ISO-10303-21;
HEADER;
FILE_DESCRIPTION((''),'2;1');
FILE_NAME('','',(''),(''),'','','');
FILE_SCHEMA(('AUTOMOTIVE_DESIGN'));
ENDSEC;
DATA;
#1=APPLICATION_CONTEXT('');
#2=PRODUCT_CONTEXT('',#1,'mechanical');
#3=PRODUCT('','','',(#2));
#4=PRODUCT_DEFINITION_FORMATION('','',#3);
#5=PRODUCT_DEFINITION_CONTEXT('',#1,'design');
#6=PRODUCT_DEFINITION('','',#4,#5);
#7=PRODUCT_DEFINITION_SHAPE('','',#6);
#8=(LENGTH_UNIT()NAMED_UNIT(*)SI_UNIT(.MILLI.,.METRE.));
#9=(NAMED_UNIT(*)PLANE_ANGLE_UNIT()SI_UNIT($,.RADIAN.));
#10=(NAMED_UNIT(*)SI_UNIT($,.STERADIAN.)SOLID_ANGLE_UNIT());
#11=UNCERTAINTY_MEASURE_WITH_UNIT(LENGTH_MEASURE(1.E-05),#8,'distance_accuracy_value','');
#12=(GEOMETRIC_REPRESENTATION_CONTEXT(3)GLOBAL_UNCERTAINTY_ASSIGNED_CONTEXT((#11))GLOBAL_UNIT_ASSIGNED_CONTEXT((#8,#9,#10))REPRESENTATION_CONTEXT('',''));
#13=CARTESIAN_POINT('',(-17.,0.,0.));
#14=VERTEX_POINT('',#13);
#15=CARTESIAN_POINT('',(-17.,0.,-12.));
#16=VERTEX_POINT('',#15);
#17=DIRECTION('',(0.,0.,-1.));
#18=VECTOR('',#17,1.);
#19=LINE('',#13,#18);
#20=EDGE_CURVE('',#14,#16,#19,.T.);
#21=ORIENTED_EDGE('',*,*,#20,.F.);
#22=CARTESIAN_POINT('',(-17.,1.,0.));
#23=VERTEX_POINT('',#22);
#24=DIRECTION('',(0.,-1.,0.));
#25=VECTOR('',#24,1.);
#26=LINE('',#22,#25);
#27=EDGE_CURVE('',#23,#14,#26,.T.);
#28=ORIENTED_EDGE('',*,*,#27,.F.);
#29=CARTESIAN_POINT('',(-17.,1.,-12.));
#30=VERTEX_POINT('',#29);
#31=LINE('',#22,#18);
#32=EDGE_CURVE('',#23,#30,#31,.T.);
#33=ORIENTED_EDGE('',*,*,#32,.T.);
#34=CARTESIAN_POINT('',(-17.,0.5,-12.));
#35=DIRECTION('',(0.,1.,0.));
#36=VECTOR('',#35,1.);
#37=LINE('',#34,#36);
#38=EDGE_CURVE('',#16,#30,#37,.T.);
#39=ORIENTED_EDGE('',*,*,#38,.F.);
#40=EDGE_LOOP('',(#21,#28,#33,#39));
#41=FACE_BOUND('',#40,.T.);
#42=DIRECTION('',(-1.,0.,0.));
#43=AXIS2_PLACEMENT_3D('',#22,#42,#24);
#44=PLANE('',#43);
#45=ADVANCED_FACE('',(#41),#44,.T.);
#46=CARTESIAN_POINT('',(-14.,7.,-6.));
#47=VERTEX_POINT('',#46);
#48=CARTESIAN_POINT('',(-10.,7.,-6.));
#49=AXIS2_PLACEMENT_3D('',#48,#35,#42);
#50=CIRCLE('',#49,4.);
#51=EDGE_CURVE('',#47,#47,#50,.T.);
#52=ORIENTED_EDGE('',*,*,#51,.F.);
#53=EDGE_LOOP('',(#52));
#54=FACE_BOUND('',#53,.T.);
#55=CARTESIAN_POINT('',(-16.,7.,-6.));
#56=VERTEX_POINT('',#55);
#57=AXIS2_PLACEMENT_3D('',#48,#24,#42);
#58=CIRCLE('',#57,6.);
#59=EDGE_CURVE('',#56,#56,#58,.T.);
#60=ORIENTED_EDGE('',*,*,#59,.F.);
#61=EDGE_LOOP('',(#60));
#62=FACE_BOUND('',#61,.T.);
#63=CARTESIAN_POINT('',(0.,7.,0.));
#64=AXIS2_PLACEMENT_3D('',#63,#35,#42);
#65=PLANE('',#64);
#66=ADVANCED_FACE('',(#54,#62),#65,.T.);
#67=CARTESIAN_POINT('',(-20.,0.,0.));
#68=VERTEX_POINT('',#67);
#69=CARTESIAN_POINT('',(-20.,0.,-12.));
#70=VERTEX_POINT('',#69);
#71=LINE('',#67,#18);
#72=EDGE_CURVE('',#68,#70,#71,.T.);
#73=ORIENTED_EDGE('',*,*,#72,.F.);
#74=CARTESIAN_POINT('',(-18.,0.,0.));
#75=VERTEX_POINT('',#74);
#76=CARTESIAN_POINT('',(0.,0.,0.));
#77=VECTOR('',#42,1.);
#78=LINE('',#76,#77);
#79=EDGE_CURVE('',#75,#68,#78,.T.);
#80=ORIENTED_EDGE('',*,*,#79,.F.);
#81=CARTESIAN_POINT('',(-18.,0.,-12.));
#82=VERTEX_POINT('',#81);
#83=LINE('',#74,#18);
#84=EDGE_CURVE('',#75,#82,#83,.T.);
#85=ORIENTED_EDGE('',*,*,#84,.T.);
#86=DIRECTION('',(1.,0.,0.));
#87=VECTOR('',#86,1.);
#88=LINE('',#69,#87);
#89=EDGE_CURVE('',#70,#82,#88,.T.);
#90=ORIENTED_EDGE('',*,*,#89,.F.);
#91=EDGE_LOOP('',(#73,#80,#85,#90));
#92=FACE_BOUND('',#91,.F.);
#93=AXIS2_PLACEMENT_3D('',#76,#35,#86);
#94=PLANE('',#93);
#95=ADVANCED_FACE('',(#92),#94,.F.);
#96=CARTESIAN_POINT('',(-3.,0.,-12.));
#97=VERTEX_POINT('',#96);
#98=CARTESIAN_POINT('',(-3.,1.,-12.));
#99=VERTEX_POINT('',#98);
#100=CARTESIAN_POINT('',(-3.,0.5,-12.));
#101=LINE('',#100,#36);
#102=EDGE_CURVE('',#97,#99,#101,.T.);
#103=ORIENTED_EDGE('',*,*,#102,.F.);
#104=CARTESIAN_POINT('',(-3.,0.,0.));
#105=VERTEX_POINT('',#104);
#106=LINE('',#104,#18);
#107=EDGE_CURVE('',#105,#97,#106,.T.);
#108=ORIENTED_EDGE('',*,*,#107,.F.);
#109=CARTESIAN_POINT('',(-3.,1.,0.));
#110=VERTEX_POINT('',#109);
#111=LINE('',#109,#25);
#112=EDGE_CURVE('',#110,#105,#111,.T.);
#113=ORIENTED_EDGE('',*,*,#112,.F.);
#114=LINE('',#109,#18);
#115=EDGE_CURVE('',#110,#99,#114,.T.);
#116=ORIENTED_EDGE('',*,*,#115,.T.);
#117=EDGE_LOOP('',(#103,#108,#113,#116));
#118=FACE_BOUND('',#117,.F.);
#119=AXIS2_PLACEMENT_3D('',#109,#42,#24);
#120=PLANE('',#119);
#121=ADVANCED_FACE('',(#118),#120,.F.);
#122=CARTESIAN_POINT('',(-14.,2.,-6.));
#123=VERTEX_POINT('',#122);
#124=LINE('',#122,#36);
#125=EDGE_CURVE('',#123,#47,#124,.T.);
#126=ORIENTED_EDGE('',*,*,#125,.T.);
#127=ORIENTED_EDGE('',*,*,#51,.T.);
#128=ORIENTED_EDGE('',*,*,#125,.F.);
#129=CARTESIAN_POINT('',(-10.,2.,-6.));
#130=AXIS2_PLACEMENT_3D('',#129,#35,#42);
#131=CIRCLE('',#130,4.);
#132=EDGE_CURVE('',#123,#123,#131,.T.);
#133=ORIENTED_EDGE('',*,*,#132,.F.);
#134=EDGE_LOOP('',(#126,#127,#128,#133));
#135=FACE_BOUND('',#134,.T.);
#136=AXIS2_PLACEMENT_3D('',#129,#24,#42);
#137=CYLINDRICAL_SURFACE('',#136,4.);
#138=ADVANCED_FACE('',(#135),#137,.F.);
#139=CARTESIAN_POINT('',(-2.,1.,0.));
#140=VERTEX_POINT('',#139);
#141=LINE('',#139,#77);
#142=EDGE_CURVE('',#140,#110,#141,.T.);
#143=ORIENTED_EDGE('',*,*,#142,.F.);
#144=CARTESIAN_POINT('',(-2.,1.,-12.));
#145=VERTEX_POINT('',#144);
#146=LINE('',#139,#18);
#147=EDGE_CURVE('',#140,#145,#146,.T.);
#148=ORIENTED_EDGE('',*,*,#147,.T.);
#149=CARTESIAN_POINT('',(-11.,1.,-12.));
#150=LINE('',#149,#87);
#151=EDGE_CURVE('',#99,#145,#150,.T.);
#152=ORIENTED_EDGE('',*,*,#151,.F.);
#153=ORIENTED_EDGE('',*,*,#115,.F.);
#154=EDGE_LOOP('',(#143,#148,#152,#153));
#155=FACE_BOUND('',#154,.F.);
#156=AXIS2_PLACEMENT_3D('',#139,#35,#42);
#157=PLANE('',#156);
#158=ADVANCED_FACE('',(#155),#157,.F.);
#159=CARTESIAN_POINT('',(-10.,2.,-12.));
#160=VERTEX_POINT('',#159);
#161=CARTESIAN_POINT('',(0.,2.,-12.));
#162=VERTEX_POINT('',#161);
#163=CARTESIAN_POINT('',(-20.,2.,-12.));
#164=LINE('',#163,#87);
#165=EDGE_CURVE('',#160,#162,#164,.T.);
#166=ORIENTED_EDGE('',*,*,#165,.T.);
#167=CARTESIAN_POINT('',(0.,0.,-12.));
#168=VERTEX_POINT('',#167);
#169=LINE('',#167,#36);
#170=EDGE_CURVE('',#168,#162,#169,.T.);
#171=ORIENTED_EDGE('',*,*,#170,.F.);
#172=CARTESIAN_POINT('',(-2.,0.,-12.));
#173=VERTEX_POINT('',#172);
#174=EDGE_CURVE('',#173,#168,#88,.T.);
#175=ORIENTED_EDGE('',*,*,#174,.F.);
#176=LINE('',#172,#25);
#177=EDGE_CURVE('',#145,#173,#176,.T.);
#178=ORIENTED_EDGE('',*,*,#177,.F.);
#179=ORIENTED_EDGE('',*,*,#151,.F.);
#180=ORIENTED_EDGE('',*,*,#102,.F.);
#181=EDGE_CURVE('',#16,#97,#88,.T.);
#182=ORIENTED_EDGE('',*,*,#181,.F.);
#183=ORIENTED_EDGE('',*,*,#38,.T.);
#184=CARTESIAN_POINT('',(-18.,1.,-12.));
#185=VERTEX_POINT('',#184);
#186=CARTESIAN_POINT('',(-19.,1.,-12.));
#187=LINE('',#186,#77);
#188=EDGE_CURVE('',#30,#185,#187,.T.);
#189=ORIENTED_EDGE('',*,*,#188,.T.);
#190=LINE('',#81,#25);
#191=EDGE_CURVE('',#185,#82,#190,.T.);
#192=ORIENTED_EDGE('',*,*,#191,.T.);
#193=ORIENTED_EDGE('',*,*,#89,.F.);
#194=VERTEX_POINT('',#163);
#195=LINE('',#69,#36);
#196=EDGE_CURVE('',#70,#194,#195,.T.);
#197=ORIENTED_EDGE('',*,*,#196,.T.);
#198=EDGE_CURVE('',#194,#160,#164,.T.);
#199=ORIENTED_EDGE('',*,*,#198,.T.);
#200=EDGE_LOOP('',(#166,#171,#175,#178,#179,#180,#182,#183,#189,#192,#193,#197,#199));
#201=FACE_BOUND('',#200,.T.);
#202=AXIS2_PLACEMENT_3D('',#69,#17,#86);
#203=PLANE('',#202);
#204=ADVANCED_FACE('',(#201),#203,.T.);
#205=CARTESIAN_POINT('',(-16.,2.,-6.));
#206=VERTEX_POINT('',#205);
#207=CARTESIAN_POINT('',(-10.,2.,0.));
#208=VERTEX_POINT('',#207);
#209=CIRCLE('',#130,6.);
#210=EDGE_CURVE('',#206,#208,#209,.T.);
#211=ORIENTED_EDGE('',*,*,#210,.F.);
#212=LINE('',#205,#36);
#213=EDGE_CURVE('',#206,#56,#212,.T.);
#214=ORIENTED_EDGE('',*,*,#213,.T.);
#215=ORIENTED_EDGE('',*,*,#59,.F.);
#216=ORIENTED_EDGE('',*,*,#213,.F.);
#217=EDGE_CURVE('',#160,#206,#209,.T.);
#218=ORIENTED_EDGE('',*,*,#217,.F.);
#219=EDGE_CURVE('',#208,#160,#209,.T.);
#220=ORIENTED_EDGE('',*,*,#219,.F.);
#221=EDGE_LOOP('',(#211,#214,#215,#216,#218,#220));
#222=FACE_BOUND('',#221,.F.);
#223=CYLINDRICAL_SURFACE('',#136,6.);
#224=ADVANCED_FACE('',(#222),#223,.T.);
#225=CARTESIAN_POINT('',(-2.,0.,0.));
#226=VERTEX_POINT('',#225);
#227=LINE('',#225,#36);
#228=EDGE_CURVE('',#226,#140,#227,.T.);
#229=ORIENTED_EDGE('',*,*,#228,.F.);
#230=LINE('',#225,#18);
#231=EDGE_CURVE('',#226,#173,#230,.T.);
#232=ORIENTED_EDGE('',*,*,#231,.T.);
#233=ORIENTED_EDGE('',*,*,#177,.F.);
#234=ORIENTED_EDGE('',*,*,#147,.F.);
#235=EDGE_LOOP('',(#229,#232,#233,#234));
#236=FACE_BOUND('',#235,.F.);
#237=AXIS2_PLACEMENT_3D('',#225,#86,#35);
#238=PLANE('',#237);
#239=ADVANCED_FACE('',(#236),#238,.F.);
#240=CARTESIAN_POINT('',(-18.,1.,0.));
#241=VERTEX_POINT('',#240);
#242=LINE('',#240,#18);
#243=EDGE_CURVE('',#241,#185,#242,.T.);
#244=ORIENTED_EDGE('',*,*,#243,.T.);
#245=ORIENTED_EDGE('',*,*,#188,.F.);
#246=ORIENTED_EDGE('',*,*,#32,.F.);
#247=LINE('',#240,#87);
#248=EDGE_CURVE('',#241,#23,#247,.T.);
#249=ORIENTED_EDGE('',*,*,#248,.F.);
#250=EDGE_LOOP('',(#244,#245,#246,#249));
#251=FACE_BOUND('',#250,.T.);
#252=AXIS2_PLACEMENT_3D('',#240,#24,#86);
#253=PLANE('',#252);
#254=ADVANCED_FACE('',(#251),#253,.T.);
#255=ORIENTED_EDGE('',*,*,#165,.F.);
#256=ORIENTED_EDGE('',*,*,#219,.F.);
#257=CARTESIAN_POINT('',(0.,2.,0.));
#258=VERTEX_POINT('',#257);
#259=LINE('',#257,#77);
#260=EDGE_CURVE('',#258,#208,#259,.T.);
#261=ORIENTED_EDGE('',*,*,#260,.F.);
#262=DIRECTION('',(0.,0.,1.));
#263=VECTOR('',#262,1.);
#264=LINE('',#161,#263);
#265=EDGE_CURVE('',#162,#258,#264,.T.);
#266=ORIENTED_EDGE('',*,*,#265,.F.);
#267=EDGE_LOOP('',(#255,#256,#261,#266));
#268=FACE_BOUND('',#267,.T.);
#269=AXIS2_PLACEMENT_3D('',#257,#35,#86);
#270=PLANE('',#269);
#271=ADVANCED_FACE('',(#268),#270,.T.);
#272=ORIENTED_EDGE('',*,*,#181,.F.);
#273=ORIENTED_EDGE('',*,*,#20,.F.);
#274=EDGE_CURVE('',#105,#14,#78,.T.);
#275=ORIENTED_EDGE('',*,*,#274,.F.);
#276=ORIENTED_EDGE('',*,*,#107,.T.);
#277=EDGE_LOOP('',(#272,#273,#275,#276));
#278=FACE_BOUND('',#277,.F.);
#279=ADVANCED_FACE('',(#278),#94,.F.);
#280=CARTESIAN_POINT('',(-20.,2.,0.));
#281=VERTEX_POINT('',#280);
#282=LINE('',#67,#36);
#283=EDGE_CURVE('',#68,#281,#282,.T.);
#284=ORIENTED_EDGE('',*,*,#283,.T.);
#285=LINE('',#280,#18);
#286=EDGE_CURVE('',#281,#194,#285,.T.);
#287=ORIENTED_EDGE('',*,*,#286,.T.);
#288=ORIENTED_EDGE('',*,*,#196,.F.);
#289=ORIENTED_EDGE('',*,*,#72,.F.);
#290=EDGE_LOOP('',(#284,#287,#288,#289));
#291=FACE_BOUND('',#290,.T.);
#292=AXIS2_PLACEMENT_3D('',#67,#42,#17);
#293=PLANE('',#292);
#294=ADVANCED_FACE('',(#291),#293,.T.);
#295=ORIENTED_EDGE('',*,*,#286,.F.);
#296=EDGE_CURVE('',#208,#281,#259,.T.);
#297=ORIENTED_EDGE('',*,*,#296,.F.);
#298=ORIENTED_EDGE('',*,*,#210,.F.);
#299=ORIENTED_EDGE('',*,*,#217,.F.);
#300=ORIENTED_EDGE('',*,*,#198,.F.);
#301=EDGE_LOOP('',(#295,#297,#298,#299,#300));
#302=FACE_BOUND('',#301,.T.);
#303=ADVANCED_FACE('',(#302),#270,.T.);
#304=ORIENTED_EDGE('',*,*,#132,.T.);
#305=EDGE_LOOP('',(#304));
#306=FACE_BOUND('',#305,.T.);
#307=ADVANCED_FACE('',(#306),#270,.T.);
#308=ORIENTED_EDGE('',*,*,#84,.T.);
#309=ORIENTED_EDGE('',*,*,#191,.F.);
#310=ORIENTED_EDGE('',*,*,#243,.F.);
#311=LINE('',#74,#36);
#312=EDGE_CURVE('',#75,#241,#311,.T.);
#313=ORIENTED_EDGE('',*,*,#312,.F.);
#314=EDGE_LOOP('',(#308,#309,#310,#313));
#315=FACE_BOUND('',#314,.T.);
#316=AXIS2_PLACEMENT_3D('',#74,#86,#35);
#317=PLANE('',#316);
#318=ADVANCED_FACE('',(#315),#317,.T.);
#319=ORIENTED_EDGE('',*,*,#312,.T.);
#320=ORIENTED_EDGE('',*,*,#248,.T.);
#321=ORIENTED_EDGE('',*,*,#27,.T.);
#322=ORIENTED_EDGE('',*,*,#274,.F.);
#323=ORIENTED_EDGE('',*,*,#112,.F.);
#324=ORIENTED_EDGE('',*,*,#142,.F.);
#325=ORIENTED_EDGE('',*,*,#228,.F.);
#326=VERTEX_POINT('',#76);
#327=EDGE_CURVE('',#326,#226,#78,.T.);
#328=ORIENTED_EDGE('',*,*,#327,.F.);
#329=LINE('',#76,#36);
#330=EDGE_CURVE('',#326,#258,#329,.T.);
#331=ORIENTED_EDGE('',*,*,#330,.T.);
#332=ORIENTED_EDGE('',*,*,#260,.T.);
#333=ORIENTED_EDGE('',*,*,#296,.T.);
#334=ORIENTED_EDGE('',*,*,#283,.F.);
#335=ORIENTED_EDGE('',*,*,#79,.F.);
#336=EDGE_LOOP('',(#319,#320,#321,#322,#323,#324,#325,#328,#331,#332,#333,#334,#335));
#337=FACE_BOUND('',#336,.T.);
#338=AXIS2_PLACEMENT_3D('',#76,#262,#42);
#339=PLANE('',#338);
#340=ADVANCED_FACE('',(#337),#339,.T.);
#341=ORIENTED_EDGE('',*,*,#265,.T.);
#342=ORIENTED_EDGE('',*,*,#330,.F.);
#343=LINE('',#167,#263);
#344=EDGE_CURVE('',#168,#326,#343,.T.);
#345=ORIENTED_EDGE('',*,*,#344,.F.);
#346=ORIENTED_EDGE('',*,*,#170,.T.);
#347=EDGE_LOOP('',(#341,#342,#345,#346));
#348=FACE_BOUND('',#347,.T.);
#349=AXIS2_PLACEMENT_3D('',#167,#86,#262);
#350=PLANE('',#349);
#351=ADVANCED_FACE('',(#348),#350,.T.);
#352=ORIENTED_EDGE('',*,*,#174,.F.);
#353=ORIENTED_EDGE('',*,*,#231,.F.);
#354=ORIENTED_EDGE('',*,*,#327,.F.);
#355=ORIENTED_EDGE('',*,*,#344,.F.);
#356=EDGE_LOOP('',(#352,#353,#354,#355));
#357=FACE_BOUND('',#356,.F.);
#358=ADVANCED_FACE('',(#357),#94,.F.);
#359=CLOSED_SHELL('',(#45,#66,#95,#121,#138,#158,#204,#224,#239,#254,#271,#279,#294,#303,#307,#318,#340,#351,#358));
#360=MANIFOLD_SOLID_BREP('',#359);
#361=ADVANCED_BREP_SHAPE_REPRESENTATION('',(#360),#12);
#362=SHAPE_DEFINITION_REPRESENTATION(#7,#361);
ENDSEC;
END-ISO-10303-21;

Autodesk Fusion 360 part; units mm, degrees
sketch "Sketch1" plane through (0, 0, 0) normal (0, 1, 0) x (1, 0, 0)
  line L0 (0, 0) -> (-20, 0)
  line L1 (-20, 0) -> (-20, 12)
  line L2 (-20, 12) -> (0, 12)
  line L3 (0, 12) -> (0, 0)
  dimension "d1" = 20
  dimension "d2" = 12
extrude "Extrude1" add sketch "Sketch1" along normal blind 2
sketch "Sketch2" plane through (0, 2, 0) normal (0, 1, 0) x (-1, 0, 0)
  line L0 (0, -12) -> (20, -12)
  line L1 (20, -12) -> (20, 0)
  line L2 (20, 0) -> (0, 0)
  line L3 (0, 0) -> (0, -12)
  circle A0 centre (10, -6) radius 5
  circle A1 centre (10, -6) radius 6
extrude "Extrude2" add sketch "Sketch2" along normal blind 5 contours A1
sketch "Sketch3" plane through (0, 0, 0) normal (0, 0, 1) x (1, 0, 0)
  line L0 (-20, 0) -> (0, 0)
  line L1 (0, 0) -> (0, 2)
  line L2 (0, 2) -> (-10, 2)
  line L3 (-10, 2) -> (-20, 2)
  line L4 (-20, 2) -> (-20, 0)
  line L5 (-17, 0) -> (-18, 0)
  line L6 (-18, 0) -> (-18, 1)
  line L7 (-18, 1) -> (-17, 1)
  line L8 (-17, 1) -> (-17, 0)
  line L9 (-2, 1) -> (-3, 1)
  line L10 (-3, 1) -> (-3, 0)
  line L11 (-3, 0) -> (-2, 0)
  line L12 (-2, 0) -> (-2, 1)
extrude "Extrude3" cut sketch "Sketch3" against normal blind 13 contours L0 L5 L6 L7 L8 | L0 L9 L10 L11 L12
sketch "Sketch4" plane through (0, 0, 0) normal (0, 0, 1) x (1, 0, 0)
  line L0 (-17, 1) -> (-17, 0)
  line L1 (-17, 0) -> (-3, 0)
  line L2 (-3, 0) -> (-3, 1)
  line L3 (-3, 1) -> (-2, 1)
  line L4 (-2, 1) -> (-2, 0)
  line L5 (-2, 0) -> (0, 0)
  line L6 (0, 0) -> (0, 2)
  line L7 (0, 2) -> (-10, 2)
  line L8 (-10, 2) -> (-20, 2)
  line L9 (-20, 2) -> (-20, 0)
  line L10 (-20, 0) -> (-18, 0)
  line L11 (-18, 0) -> (-18, 1)
  line L12 (-18, 1) -> (-17, 1)
sketch "Sketch5" plane through (0, 2, 0) normal (0, 1, 0) x (-1, 0, 0)
  circle A0 centre (10, -6) radius 5
  circle A1 centre (10, -6) radius 5
  circle A2 centre (10, -6) radius 4
extrude "Extrude4" add sketch "Sketch5" along normal blind 5
